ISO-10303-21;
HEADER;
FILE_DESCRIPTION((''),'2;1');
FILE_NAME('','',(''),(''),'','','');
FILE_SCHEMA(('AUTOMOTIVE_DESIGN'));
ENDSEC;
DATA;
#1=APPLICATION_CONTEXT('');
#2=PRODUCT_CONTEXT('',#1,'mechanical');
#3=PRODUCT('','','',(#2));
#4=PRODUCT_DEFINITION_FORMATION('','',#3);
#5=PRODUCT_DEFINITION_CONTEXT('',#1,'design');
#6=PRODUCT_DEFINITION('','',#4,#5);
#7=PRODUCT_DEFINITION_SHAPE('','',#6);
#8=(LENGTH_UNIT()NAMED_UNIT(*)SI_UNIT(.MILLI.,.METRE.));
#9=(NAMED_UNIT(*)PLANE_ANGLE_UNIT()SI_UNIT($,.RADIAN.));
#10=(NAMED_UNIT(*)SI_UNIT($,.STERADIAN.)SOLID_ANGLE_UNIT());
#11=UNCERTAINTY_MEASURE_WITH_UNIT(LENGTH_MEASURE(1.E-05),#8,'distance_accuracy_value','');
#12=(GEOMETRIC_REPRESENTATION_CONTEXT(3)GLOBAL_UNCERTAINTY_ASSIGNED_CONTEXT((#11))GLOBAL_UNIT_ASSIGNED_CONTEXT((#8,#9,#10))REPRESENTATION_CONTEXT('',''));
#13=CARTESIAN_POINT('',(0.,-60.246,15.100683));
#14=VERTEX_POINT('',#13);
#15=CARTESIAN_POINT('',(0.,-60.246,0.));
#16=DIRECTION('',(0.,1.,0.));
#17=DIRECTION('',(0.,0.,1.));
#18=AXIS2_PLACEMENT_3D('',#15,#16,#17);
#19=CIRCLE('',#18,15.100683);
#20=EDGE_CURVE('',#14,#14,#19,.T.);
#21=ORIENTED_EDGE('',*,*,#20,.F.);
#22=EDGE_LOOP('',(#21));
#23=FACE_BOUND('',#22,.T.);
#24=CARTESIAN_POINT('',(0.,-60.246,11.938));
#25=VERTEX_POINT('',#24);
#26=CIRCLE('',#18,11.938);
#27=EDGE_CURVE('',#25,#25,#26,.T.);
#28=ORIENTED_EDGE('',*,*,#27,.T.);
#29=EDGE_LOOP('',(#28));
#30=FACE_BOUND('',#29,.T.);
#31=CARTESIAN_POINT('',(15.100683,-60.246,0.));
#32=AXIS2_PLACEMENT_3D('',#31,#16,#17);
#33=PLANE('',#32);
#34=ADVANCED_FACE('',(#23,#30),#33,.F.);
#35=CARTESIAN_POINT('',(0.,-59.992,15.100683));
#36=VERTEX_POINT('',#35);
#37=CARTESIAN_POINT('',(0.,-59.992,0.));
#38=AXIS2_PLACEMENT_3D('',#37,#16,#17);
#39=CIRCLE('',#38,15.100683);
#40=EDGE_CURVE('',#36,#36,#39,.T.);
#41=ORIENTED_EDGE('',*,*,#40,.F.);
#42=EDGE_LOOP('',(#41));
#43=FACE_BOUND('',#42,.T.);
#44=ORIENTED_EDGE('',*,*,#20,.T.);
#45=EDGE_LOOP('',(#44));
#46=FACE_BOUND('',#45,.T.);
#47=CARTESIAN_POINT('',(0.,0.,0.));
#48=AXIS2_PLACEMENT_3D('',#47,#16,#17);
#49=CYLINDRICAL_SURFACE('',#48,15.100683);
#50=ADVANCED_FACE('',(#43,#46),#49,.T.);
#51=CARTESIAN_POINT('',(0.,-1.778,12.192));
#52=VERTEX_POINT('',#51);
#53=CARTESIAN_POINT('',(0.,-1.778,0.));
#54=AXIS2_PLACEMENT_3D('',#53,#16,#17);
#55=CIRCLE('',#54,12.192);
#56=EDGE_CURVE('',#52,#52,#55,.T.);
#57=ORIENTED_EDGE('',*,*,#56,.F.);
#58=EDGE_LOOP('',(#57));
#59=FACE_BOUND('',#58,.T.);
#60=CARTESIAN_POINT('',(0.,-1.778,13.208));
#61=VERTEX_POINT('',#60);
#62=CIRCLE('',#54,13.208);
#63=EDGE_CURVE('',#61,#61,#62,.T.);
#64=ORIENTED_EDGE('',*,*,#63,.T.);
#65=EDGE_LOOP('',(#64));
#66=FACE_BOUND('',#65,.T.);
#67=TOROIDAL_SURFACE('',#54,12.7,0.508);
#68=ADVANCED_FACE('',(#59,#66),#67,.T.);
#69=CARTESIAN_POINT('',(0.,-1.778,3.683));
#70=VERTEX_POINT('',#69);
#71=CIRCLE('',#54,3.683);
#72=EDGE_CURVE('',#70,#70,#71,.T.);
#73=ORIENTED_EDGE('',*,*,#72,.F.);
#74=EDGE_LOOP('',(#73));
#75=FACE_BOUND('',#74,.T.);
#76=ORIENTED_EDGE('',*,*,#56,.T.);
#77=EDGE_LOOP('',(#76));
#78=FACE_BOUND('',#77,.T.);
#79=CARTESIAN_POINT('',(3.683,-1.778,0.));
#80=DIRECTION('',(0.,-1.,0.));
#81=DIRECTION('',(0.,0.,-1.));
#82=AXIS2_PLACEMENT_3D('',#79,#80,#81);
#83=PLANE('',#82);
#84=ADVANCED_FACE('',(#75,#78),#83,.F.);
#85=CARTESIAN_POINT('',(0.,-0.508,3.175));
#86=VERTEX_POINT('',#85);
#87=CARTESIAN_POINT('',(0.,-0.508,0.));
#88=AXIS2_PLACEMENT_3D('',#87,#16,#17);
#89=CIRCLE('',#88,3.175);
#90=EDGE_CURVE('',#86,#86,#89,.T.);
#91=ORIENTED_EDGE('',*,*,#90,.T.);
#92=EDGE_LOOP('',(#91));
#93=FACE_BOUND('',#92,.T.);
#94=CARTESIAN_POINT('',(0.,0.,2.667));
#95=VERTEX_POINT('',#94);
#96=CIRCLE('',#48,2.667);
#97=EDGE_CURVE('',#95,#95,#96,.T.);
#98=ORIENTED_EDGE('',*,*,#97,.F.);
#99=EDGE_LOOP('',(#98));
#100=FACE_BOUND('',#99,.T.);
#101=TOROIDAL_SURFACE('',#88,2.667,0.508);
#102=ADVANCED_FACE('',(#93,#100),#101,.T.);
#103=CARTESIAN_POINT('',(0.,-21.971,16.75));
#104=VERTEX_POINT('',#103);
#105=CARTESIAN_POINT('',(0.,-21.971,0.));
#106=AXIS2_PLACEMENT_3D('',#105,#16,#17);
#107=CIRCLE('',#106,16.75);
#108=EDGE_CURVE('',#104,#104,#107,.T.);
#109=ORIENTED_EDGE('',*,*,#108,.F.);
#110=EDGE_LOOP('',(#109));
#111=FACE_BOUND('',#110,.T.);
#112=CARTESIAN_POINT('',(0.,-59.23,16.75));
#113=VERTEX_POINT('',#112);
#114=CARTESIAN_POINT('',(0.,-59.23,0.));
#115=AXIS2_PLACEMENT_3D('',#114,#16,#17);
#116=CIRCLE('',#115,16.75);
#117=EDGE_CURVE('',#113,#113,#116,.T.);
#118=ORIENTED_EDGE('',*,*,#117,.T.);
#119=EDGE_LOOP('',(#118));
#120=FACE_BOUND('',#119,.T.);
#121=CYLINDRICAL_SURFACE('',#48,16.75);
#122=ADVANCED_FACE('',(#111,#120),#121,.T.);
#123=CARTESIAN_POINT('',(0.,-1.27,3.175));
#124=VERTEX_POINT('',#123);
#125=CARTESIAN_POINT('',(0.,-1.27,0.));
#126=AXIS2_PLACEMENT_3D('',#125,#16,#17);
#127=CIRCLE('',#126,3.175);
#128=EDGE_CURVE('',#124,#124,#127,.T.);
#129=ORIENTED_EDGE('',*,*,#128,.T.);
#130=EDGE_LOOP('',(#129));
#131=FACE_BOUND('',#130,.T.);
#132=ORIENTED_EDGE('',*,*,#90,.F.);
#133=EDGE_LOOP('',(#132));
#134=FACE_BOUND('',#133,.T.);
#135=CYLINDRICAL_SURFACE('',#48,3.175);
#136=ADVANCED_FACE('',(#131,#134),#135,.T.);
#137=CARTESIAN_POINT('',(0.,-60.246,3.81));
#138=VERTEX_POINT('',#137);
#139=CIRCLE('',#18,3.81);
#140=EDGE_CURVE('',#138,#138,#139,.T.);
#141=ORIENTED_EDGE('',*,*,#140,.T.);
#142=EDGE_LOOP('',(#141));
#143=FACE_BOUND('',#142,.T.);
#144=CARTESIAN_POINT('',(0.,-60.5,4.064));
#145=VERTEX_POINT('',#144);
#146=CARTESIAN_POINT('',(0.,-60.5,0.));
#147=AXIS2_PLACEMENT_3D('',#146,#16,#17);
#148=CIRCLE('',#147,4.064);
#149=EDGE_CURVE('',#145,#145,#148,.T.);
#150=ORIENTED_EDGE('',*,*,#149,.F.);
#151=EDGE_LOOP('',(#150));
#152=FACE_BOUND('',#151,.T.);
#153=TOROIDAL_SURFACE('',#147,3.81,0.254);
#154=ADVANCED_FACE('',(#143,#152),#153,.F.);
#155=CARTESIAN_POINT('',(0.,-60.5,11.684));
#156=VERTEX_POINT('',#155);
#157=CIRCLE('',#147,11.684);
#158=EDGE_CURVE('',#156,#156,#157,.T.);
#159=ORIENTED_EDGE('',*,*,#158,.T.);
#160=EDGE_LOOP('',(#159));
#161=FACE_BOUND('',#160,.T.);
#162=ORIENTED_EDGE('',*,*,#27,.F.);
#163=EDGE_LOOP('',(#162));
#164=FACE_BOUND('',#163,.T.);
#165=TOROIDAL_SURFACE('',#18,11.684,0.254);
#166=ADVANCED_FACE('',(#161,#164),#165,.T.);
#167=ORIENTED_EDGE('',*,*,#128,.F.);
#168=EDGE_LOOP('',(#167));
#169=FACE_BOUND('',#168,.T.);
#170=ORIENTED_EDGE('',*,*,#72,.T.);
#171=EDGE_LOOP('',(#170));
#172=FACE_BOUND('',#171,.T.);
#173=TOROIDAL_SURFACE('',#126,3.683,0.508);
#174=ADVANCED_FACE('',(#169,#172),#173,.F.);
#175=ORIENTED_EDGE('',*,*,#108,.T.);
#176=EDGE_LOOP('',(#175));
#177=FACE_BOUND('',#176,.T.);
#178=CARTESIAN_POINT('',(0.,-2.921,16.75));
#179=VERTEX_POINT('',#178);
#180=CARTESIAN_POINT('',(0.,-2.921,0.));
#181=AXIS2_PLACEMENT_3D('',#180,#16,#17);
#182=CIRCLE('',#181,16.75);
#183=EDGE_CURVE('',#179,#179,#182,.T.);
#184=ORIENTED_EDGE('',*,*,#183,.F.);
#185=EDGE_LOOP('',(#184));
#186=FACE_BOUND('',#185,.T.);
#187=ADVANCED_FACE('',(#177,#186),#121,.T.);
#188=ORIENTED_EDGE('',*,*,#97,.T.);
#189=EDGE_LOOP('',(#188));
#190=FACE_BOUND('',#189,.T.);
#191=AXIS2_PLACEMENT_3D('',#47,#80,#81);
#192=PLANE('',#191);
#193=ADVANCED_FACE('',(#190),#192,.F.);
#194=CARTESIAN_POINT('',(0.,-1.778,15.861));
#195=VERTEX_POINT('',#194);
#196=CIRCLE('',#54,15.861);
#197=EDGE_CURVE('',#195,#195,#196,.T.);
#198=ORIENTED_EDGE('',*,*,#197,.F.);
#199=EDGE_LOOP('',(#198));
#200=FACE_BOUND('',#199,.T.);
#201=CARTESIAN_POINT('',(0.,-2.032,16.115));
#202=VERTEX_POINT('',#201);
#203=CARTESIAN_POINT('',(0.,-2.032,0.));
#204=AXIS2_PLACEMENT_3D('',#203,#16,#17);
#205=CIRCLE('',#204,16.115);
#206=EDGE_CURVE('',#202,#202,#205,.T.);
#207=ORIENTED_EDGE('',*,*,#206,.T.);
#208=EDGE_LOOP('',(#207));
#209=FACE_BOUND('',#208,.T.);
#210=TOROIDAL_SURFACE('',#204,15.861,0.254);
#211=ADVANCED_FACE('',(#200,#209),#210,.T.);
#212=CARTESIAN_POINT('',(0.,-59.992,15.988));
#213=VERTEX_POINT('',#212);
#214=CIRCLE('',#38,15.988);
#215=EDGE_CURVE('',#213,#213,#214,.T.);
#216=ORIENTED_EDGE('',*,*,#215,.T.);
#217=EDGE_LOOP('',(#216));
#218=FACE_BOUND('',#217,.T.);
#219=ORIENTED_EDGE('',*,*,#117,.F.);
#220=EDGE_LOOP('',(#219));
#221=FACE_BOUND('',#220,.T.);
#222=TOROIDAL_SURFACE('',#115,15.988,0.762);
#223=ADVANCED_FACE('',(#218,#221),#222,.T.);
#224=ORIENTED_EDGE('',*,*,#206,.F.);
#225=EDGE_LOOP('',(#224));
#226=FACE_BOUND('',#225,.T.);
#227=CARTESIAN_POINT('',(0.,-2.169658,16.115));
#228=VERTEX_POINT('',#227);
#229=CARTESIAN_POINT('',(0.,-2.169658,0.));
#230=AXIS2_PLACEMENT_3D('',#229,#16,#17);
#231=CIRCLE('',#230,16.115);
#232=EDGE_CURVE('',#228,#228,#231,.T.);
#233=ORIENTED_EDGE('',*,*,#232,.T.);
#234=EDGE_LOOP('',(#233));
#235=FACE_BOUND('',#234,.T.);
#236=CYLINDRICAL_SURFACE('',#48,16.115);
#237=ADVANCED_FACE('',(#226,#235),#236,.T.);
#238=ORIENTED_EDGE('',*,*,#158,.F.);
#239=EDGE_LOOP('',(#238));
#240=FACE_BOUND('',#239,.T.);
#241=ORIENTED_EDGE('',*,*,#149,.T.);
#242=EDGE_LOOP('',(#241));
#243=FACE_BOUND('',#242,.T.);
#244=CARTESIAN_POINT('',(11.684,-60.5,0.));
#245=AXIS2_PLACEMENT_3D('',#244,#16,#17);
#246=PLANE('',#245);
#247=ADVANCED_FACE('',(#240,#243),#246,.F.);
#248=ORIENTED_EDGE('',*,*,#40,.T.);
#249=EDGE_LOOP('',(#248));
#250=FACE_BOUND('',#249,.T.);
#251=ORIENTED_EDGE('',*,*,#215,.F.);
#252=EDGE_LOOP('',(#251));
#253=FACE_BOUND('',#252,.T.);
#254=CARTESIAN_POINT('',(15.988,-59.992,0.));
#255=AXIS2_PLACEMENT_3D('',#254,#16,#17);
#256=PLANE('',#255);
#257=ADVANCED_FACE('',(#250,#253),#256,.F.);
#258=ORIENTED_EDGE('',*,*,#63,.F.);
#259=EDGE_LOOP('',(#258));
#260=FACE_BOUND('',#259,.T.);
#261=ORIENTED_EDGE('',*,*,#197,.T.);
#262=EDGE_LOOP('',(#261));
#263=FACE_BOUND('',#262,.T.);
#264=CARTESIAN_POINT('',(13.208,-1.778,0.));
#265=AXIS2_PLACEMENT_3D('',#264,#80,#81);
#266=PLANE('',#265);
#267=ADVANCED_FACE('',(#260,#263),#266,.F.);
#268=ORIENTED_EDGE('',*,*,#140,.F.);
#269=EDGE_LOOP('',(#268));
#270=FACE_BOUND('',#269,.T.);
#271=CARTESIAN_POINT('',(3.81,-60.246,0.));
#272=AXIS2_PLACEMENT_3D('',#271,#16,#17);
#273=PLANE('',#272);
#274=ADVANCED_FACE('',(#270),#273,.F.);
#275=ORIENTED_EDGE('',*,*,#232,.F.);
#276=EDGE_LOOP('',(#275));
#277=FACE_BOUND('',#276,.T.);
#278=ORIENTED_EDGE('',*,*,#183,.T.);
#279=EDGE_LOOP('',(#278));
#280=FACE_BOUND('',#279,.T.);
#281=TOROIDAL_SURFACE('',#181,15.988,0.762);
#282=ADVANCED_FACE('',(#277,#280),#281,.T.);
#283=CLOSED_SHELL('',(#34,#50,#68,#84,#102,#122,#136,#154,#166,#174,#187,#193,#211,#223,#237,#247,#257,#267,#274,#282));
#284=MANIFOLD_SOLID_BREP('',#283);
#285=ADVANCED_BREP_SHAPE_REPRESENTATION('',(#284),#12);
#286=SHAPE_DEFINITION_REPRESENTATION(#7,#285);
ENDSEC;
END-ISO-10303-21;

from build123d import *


with BuildPart() as part:
    # Sketch1 → Base-Revolve (revolve)
    with BuildSketch(Plane.XY, mode=Mode.PRIVATE) as base_revolve_sk:
        with BuildLine():
            Line((0, 0), (2.667, 0))
            ThreePointArc((2.667, 0), (3.026210245, -0.148789755), (3.175, -0.508))
            Line((3.175, -0.508), (3.175, -1.27))
            ThreePointArc((3.175, -1.27), (3.323789755, -1.629210245), (3.683, -1.778))
            Line((3.683, -1.778), (12.192, -1.778))
            ThreePointArc((12.192, -1.778), (12.7, -1.27), (13.208, -1.778))
            Line((13.208, -1.778), (15.861, -1.778))
            ThreePointArc((15.861, -1.778), (16.040605122, -1.852394878), (16.115, -2.032))
            Line((16.115, -2.032), (16.115, -2.169657868))
            ThreePointArc((16.115, -2.169657868), (16.569987113, -2.429131115), (16.75, -2.921))
            Line((16.75, -2.921), (16.75, -59.23))
            ThreePointArc((16.75, -59.23), (16.526815367, -59.768815367), (15.988, -59.992))
            Line((15.988, -59.992), (15.100682905, -59.992))
            Line((15.100682905, -59.992), (15.100682905, -60.246))
            Line((15.100682905, -60.246), (11.938, -60.246))
            ThreePointArc((11.938, -60.246), (11.863605122, -60.425605122), (11.684, -60.5))
            Line((11.684, -60.5), (4.064, -60.5))
            ThreePointArc((4.064, -60.5), (3.989605122, -60.320394878), (3.81, -60.246))
            Line((3.81, -60.246), (0, -60.246))
            Line((0, -60.246), (0, 0))
        make_face()
    revolve(base_revolve_sk.sketch.rotate(Axis((0, 0, 0), (0, -1, 0)), 90), axis=Axis((0, 0, 0), (0, -1, 0)))


solid = part.part
